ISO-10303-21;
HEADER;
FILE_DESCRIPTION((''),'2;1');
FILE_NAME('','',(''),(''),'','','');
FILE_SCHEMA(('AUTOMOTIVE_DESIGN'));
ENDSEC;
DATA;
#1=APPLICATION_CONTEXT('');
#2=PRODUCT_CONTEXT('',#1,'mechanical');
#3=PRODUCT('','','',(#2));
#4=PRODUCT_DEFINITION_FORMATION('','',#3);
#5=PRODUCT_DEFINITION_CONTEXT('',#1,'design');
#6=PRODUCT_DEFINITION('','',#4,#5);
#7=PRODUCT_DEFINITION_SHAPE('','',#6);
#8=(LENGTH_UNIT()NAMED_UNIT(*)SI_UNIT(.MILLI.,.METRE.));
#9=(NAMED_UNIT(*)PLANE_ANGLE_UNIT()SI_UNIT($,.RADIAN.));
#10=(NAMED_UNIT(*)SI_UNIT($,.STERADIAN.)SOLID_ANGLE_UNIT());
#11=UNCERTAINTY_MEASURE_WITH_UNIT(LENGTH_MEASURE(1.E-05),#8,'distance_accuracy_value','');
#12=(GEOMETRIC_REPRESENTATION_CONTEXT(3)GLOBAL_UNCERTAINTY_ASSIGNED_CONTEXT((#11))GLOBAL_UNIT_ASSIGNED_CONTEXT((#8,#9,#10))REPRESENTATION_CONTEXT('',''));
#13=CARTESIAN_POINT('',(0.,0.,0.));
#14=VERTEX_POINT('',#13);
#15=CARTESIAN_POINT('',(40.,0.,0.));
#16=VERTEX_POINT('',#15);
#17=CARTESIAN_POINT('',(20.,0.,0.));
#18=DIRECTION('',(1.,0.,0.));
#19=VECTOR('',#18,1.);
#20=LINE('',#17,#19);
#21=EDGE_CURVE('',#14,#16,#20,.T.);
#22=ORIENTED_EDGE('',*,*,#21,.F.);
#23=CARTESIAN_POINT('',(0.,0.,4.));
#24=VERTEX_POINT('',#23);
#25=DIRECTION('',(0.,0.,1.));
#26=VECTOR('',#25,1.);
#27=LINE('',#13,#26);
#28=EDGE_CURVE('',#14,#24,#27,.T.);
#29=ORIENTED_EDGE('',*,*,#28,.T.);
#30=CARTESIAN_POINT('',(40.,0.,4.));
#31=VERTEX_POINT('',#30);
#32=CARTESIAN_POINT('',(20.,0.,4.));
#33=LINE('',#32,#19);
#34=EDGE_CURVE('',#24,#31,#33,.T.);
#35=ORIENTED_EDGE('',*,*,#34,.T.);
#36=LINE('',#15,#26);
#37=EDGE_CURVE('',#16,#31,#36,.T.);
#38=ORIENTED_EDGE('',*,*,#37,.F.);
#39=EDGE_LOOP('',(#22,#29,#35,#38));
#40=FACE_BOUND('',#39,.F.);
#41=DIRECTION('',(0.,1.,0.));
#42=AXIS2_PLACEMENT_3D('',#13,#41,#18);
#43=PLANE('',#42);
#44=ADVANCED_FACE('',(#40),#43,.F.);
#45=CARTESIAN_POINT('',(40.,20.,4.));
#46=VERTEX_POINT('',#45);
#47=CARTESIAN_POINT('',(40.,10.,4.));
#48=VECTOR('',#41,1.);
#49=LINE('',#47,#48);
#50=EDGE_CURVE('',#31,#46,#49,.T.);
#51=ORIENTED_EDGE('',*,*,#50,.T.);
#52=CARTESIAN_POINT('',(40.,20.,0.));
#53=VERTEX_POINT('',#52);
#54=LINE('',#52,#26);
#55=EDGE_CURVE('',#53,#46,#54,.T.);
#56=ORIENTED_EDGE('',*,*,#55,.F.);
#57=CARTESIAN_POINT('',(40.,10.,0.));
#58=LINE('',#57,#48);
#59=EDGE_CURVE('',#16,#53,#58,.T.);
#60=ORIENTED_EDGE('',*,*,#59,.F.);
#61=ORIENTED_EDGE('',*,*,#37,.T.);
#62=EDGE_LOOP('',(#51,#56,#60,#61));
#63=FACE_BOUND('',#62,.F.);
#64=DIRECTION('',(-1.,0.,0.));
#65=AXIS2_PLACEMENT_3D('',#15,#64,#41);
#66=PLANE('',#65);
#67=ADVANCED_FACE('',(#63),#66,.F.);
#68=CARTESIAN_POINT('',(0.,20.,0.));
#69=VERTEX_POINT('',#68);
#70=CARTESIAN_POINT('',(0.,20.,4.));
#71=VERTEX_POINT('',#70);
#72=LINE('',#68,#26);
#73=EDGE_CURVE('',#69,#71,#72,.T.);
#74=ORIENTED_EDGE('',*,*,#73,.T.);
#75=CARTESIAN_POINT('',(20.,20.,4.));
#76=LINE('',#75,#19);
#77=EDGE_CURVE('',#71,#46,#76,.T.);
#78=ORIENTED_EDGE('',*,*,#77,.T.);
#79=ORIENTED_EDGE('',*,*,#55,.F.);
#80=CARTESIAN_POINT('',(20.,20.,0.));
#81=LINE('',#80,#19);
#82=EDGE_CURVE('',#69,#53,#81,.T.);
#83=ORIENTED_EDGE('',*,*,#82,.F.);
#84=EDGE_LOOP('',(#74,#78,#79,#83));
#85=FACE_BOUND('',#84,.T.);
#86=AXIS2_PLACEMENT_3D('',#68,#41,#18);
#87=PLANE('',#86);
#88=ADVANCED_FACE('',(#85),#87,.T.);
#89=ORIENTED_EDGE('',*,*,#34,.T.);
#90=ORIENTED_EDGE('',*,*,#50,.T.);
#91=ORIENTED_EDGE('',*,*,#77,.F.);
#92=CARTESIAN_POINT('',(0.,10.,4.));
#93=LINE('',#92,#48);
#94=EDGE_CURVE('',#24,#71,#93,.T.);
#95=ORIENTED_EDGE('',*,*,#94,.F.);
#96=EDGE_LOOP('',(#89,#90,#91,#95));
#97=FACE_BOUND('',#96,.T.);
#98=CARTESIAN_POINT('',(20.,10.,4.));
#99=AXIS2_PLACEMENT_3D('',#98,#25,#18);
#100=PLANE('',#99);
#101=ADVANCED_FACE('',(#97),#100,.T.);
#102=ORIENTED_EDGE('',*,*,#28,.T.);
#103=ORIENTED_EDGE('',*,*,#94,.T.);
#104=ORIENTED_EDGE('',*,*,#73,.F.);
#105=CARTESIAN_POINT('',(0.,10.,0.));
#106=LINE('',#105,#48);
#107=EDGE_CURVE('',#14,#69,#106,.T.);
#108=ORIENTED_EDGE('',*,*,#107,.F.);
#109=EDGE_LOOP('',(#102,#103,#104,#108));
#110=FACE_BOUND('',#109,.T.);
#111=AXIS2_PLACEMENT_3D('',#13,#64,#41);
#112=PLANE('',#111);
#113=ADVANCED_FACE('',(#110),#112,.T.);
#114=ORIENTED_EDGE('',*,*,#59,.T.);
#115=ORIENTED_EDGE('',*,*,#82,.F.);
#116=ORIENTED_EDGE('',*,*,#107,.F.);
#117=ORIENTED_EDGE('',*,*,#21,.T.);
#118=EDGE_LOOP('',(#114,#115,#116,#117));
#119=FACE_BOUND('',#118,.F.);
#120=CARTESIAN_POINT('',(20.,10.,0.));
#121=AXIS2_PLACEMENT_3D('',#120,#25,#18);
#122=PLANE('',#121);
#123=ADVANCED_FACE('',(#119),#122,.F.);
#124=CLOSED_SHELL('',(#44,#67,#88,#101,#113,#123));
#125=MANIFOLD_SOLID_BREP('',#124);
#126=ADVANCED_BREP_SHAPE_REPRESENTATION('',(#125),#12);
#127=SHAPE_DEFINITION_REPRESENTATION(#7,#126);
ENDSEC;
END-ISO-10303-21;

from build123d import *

# Parameters (mm, degrees)
SKETCH_W      = 40
SKETCH_H      = 20
EXTRUDE_DEPTH = 4


with BuildPart() as part:
    # Sketch → Extrude (new body)
    with BuildSketch(Plane.XY):
        with Locations((20, 10)):
            Rectangle(SKETCH_W, SKETCH_H)
    extrude(amount=EXTRUDE_DEPTH)


solid = part.part
